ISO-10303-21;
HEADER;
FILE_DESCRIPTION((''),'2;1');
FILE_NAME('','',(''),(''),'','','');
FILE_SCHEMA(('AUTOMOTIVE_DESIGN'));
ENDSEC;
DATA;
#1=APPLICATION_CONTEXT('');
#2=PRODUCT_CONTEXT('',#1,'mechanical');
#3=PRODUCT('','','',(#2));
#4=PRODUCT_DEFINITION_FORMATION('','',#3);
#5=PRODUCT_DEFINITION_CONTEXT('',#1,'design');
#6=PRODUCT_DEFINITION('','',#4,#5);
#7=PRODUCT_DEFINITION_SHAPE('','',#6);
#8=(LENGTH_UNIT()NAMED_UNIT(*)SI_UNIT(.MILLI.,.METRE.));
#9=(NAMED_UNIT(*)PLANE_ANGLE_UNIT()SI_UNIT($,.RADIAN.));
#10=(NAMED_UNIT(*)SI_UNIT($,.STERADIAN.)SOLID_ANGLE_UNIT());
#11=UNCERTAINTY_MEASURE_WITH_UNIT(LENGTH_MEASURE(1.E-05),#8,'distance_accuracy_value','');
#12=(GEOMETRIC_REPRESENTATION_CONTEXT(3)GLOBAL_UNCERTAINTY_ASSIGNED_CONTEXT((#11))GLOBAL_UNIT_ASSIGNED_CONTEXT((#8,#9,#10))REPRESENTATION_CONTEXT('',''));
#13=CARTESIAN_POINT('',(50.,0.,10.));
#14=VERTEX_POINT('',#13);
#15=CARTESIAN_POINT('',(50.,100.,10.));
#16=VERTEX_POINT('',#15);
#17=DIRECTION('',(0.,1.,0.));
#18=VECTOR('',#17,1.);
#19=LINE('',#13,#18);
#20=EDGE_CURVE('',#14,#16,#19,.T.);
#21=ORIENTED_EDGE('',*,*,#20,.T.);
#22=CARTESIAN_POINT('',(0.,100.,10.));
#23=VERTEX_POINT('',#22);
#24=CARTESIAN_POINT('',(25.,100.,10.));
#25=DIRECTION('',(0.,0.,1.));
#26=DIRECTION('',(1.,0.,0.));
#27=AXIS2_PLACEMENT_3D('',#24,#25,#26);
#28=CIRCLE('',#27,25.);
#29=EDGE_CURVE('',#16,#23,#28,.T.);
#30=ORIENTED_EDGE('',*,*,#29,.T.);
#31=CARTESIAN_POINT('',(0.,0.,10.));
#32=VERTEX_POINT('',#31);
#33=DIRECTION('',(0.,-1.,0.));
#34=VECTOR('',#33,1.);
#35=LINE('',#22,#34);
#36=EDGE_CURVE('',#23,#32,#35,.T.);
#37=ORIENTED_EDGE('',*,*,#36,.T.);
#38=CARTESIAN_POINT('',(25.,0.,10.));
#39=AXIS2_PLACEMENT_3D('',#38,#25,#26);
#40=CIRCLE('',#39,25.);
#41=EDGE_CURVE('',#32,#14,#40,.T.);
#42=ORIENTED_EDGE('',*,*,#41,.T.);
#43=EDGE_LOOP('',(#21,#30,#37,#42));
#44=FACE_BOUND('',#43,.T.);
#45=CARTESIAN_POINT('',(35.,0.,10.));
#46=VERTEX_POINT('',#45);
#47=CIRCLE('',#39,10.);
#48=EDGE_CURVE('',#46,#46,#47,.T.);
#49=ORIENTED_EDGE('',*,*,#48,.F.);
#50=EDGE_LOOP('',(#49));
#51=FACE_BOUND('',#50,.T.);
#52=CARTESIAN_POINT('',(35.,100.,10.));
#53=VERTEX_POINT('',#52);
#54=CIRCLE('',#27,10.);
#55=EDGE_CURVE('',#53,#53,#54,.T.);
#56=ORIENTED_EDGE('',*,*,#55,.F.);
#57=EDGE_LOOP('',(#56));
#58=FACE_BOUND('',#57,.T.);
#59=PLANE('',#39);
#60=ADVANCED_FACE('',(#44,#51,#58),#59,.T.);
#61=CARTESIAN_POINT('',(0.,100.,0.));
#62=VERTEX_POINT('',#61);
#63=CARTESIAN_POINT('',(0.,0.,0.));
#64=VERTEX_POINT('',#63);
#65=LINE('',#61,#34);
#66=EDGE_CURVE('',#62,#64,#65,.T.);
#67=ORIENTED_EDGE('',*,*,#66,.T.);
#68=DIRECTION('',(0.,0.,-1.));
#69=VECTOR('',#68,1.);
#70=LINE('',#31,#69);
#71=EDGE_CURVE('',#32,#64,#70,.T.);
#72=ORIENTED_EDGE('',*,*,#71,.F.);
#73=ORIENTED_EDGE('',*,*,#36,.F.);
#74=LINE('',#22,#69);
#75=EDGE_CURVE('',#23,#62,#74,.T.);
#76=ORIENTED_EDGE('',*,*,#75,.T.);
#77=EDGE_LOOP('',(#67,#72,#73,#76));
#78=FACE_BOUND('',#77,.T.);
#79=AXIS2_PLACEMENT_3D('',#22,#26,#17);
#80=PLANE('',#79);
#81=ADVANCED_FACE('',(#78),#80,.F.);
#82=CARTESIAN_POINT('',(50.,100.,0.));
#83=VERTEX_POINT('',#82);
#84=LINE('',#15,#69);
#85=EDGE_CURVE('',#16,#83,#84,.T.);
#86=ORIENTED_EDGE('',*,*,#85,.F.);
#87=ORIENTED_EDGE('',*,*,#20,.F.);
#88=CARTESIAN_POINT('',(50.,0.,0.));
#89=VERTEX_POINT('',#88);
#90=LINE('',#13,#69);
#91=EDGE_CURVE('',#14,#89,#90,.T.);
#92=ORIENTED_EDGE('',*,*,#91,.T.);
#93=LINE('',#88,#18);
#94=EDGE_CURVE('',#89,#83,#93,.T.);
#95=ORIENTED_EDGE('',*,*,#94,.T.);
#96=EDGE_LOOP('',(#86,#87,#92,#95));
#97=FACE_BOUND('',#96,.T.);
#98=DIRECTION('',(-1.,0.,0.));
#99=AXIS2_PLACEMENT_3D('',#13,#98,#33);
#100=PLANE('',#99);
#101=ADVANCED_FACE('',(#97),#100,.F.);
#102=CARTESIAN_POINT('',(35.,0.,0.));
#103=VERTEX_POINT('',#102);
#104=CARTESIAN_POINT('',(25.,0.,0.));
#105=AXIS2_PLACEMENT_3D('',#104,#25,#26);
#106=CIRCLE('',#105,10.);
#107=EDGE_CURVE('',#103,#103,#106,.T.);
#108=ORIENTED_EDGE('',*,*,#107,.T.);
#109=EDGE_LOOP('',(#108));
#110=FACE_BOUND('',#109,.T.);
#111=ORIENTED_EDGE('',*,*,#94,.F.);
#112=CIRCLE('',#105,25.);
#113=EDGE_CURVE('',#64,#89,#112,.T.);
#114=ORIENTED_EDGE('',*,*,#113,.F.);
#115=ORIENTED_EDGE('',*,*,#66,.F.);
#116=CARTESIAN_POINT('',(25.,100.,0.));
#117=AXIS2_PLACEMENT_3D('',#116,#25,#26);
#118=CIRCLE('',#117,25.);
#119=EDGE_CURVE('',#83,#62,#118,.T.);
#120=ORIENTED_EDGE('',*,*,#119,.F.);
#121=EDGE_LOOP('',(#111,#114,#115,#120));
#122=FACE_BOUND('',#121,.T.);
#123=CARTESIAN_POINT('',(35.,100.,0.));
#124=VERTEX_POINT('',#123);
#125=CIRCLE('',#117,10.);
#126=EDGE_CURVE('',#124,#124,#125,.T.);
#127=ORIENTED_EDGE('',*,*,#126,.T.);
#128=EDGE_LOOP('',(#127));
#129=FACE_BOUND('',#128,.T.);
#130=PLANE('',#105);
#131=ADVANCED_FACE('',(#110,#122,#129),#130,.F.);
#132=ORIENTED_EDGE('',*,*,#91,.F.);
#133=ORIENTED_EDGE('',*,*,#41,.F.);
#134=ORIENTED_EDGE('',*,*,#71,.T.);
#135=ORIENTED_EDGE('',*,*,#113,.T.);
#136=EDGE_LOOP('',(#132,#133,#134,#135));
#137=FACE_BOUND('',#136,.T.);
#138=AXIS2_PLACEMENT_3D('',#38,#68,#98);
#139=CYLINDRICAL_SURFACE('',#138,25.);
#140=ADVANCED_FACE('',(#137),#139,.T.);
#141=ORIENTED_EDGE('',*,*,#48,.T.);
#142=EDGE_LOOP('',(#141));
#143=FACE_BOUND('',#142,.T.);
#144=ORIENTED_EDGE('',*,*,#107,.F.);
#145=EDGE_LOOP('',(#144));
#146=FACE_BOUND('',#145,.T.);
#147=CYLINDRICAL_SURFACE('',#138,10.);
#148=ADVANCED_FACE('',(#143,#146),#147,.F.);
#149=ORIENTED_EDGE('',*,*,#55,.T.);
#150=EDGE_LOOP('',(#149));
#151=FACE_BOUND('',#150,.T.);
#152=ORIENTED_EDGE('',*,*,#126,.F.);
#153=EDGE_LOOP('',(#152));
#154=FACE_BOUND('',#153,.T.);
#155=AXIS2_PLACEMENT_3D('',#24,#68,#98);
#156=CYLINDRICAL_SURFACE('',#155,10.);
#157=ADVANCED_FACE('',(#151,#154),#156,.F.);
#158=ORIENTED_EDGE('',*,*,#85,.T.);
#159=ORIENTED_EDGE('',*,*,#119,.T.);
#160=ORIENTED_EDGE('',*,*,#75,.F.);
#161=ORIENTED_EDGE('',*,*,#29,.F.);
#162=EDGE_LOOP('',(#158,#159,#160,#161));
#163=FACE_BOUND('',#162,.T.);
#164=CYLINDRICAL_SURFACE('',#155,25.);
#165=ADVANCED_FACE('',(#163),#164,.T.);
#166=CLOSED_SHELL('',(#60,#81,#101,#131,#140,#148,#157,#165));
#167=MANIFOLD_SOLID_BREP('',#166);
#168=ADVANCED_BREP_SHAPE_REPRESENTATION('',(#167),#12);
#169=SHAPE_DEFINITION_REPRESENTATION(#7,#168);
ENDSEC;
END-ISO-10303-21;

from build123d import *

# Parameters (mm, degrees)
CROQUIS1_R              = 10
SALIENTE_EXTRUIR1_DEPTH = 10


with BuildPart() as part:
    # Croquis1 → Saliente-Extruir1 (new body)
    with BuildSketch(Plane.XY):
        with BuildLine():
            Line((50, 0), (50, 100))
            ThreePointArc((50, 100), (25, 125), (0, 100))
            Line((0, 100), (0, 0))
            ThreePointArc((0, 0), (25, -25), (50, 0))
        make_face()
        with Locations((25, 100)):
            Circle(CROQUIS1_R, mode=Mode.SUBTRACT)
        with Locations((25, 0)):
            Circle(CROQUIS1_R, mode=Mode.SUBTRACT)
    extrude(amount=SALIENTE_EXTRUIR1_DEPTH)


solid = part.part
